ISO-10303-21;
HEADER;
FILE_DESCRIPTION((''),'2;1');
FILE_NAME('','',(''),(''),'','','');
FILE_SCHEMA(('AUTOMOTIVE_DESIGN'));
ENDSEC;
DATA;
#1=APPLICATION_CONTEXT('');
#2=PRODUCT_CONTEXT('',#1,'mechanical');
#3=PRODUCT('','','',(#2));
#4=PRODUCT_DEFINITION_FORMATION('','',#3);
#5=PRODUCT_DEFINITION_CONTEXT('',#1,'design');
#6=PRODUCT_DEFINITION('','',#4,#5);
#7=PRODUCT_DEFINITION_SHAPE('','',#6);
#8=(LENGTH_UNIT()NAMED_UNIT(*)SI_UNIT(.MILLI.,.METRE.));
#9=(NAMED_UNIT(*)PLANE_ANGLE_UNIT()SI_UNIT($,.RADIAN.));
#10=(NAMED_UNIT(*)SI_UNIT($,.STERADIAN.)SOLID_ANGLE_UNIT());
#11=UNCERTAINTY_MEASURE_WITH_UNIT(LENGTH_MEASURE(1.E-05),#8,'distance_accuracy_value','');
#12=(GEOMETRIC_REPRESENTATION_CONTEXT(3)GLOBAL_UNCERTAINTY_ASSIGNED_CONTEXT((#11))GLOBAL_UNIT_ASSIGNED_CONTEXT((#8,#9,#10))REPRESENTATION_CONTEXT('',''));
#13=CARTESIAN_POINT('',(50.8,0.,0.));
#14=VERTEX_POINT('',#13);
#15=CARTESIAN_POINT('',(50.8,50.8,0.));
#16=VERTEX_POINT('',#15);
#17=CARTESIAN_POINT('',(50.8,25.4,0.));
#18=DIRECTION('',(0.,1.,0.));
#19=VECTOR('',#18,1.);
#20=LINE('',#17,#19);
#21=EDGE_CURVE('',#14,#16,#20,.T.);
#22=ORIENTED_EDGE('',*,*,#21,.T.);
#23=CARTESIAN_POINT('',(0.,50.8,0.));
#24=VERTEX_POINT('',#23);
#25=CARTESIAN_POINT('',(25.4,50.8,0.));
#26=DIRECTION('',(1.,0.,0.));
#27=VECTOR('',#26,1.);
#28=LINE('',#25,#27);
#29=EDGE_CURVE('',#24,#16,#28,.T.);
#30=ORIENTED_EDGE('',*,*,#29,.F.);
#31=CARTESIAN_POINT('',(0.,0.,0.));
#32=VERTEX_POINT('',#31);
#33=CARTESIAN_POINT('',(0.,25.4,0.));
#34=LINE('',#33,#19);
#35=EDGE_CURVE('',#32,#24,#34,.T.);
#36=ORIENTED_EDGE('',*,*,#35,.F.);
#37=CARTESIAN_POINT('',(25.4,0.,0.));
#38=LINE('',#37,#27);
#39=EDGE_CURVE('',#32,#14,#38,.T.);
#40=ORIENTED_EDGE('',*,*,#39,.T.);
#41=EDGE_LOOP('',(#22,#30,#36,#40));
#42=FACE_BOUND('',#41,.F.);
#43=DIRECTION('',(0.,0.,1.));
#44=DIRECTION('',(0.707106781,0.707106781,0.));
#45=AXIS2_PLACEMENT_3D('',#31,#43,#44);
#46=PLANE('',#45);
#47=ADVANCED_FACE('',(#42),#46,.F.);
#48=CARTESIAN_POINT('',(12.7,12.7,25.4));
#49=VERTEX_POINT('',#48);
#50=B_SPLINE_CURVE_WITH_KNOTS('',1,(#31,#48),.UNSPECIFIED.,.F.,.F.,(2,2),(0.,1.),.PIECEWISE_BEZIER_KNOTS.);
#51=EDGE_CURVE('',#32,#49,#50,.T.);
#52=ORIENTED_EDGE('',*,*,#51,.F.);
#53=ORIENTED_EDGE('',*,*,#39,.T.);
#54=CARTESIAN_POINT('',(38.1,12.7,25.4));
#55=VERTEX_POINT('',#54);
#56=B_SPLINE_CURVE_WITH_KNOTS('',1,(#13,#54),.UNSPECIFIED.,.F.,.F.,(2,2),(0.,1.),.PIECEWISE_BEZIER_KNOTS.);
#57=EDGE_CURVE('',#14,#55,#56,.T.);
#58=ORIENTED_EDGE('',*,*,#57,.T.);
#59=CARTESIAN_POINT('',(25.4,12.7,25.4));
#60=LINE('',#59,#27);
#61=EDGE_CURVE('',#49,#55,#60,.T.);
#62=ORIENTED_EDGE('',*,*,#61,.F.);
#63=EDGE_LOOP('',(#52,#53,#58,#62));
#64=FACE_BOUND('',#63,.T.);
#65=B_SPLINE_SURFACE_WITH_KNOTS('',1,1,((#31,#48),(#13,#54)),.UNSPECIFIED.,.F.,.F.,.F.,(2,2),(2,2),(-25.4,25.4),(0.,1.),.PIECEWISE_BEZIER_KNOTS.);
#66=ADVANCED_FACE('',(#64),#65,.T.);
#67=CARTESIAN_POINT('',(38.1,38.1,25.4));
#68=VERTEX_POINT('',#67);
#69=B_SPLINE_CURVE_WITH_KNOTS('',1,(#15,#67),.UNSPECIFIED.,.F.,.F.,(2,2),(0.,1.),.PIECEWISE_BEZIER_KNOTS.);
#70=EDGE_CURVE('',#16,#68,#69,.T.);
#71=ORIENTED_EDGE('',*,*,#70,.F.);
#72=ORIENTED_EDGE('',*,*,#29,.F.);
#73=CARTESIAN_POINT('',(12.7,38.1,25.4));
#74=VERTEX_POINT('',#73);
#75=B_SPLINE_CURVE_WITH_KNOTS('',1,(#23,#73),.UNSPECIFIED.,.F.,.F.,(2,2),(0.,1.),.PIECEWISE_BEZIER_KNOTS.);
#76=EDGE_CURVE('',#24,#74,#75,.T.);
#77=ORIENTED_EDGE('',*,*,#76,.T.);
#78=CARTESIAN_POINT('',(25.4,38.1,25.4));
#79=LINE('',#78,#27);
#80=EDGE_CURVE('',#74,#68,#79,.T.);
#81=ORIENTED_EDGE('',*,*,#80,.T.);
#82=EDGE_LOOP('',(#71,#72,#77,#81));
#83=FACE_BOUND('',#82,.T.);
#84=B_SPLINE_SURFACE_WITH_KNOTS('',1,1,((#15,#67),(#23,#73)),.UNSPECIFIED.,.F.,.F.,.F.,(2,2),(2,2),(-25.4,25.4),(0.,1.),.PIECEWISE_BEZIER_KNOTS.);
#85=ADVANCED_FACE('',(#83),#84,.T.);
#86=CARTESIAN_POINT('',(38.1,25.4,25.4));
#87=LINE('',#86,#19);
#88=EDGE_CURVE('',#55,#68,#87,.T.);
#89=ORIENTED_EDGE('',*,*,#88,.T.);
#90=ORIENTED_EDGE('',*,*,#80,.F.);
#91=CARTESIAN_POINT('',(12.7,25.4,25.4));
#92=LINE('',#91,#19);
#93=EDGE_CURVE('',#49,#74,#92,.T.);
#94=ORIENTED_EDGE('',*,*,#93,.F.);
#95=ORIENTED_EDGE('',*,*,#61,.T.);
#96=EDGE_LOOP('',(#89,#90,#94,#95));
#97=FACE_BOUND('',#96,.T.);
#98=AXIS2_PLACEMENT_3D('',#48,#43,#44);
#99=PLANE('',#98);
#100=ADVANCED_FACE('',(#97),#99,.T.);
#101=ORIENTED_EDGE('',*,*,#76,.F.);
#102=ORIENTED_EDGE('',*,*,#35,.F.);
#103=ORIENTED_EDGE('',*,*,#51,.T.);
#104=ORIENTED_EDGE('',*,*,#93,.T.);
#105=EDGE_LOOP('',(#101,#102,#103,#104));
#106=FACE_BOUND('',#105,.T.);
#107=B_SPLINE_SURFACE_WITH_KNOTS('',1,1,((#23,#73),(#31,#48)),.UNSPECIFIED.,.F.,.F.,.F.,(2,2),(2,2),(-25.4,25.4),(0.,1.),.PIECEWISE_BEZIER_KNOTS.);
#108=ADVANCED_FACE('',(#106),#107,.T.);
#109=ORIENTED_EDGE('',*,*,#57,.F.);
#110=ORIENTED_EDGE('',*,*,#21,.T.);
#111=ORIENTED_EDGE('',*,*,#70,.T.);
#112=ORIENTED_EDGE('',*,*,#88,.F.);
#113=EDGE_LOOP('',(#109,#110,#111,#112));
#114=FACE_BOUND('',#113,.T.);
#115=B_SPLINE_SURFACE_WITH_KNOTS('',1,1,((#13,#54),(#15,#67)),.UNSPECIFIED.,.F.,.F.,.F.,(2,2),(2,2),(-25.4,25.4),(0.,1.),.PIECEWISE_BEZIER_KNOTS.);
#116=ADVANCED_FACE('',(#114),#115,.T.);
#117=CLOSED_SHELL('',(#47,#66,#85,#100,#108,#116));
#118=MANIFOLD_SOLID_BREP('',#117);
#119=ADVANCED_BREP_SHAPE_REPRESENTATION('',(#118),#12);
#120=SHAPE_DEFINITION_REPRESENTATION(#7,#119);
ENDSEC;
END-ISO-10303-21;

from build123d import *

# Parameters (mm, degrees)
F0_W = 50.8
F0_H = 50.8
F2_W = 25.4
F2_H = 25.4


with BuildPart() as f3:
    # F0 (on Top) → F3 section 0
    with BuildSketch(Plane.XY):
        with Locations((25.4, 25.4)):
            Rectangle(F0_W, F0_H)
    # F2 (on offset) → F3 section 1
    with BuildSketch(Plane.XY.offset(25.4)):
        with Locations((25.4, 25.4)):
            Rectangle(F2_W, F2_H)
    loft()


solid = f3.part
